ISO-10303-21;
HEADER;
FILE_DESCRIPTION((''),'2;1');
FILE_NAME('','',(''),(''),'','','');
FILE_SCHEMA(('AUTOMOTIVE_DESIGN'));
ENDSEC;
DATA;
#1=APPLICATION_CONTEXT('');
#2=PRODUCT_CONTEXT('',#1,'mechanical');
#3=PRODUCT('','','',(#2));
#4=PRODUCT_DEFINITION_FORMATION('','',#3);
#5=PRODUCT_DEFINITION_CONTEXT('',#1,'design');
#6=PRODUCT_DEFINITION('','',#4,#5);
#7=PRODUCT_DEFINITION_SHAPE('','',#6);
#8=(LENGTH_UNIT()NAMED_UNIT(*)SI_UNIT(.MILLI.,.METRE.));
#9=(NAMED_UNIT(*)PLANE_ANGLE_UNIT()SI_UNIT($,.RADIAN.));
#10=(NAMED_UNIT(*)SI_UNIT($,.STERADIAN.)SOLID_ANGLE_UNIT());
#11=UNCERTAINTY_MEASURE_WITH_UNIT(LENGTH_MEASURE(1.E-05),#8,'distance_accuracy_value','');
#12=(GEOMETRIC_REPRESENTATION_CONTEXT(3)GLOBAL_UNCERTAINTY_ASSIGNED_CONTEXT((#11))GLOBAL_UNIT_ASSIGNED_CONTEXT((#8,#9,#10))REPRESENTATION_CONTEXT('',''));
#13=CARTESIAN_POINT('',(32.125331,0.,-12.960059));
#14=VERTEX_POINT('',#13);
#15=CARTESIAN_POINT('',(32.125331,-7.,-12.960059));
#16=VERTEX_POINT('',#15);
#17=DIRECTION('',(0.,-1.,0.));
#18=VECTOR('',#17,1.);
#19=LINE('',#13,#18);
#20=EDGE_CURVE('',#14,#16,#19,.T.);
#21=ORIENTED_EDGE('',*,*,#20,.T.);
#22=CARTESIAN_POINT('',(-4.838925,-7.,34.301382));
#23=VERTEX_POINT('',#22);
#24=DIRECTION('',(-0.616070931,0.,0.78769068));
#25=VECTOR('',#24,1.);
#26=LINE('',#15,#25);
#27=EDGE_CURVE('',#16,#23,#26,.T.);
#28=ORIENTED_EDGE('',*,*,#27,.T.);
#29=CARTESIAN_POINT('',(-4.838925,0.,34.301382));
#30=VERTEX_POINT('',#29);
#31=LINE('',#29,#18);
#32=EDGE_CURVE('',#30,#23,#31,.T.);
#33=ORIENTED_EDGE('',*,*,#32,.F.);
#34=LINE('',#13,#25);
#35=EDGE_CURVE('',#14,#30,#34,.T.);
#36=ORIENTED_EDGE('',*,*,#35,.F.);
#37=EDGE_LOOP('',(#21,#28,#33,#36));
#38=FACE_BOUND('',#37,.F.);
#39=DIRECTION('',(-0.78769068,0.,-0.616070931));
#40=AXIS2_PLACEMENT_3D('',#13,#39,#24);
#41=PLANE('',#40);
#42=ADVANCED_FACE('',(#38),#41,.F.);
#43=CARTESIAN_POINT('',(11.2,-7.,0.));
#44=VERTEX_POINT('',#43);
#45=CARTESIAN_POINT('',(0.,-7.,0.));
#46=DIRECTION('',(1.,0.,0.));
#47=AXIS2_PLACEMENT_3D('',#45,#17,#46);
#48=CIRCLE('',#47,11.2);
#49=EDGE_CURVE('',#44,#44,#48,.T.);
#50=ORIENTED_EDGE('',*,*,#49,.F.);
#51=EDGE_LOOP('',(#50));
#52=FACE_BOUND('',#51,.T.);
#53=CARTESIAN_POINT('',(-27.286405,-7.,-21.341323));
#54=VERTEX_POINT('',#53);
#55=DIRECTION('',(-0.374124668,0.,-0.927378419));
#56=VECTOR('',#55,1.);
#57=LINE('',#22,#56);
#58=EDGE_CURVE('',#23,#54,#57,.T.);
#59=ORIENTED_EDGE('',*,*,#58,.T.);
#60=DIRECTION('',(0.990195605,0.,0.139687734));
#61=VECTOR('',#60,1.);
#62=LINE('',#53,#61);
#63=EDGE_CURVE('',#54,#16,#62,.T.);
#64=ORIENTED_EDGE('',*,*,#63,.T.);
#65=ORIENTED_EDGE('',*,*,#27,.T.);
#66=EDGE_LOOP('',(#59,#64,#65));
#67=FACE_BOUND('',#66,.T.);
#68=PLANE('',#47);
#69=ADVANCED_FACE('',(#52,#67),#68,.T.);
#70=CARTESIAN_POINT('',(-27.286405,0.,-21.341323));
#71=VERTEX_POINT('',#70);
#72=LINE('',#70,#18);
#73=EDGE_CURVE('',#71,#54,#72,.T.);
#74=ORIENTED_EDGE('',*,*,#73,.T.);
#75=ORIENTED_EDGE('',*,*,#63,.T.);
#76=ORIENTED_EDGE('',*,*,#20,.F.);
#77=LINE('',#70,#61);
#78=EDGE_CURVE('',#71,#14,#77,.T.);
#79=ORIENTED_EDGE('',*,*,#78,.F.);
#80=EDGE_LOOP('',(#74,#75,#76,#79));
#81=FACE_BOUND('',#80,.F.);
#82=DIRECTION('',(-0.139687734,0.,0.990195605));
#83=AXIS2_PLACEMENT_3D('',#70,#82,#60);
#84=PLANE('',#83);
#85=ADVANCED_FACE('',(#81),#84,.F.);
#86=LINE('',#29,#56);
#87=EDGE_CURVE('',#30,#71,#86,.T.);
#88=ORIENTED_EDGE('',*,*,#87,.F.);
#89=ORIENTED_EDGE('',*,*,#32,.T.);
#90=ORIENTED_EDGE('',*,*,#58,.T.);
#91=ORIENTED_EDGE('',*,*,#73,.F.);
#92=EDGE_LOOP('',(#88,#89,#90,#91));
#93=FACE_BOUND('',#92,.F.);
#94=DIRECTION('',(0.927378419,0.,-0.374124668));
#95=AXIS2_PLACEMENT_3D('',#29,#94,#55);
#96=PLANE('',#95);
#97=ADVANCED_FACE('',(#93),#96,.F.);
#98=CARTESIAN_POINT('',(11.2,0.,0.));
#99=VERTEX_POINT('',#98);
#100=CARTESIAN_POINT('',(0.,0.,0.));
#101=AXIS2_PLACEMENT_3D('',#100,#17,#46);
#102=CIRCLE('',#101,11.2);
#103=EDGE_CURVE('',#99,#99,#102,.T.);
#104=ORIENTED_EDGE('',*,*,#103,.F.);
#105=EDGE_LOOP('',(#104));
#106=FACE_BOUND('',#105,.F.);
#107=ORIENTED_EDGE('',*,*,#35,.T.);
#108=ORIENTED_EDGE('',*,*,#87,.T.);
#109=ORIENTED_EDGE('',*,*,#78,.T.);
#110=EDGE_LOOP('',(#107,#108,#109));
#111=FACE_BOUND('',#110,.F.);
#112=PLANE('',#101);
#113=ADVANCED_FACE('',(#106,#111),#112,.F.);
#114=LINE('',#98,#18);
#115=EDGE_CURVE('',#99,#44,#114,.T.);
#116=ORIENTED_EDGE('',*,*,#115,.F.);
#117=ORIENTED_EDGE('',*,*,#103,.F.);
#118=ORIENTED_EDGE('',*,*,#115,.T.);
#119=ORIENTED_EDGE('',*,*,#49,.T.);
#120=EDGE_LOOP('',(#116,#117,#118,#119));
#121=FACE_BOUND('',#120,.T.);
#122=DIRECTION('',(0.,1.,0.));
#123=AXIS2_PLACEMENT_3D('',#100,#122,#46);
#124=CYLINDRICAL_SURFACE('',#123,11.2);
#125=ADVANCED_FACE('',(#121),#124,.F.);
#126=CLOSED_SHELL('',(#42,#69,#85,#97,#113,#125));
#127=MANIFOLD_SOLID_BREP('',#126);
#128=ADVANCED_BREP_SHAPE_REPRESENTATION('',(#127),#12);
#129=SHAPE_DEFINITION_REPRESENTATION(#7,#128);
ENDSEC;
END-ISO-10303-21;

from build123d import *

# Parameters (mm, degrees)
F0_R     = 11.2
F1_DEPTH = 7


with BuildPart() as f1:
    # F0 (on Front) → F1 (new body)
    with BuildSketch(Plane.XZ):
        Polygon((32.125331, -12.960059), (-4.838925, 34.301382), (-27.286405, -21.341323), align=None)
        Circle(F0_R, mode=Mode.SUBTRACT)
    extrude(amount=F1_DEPTH)


solid = f1.part
